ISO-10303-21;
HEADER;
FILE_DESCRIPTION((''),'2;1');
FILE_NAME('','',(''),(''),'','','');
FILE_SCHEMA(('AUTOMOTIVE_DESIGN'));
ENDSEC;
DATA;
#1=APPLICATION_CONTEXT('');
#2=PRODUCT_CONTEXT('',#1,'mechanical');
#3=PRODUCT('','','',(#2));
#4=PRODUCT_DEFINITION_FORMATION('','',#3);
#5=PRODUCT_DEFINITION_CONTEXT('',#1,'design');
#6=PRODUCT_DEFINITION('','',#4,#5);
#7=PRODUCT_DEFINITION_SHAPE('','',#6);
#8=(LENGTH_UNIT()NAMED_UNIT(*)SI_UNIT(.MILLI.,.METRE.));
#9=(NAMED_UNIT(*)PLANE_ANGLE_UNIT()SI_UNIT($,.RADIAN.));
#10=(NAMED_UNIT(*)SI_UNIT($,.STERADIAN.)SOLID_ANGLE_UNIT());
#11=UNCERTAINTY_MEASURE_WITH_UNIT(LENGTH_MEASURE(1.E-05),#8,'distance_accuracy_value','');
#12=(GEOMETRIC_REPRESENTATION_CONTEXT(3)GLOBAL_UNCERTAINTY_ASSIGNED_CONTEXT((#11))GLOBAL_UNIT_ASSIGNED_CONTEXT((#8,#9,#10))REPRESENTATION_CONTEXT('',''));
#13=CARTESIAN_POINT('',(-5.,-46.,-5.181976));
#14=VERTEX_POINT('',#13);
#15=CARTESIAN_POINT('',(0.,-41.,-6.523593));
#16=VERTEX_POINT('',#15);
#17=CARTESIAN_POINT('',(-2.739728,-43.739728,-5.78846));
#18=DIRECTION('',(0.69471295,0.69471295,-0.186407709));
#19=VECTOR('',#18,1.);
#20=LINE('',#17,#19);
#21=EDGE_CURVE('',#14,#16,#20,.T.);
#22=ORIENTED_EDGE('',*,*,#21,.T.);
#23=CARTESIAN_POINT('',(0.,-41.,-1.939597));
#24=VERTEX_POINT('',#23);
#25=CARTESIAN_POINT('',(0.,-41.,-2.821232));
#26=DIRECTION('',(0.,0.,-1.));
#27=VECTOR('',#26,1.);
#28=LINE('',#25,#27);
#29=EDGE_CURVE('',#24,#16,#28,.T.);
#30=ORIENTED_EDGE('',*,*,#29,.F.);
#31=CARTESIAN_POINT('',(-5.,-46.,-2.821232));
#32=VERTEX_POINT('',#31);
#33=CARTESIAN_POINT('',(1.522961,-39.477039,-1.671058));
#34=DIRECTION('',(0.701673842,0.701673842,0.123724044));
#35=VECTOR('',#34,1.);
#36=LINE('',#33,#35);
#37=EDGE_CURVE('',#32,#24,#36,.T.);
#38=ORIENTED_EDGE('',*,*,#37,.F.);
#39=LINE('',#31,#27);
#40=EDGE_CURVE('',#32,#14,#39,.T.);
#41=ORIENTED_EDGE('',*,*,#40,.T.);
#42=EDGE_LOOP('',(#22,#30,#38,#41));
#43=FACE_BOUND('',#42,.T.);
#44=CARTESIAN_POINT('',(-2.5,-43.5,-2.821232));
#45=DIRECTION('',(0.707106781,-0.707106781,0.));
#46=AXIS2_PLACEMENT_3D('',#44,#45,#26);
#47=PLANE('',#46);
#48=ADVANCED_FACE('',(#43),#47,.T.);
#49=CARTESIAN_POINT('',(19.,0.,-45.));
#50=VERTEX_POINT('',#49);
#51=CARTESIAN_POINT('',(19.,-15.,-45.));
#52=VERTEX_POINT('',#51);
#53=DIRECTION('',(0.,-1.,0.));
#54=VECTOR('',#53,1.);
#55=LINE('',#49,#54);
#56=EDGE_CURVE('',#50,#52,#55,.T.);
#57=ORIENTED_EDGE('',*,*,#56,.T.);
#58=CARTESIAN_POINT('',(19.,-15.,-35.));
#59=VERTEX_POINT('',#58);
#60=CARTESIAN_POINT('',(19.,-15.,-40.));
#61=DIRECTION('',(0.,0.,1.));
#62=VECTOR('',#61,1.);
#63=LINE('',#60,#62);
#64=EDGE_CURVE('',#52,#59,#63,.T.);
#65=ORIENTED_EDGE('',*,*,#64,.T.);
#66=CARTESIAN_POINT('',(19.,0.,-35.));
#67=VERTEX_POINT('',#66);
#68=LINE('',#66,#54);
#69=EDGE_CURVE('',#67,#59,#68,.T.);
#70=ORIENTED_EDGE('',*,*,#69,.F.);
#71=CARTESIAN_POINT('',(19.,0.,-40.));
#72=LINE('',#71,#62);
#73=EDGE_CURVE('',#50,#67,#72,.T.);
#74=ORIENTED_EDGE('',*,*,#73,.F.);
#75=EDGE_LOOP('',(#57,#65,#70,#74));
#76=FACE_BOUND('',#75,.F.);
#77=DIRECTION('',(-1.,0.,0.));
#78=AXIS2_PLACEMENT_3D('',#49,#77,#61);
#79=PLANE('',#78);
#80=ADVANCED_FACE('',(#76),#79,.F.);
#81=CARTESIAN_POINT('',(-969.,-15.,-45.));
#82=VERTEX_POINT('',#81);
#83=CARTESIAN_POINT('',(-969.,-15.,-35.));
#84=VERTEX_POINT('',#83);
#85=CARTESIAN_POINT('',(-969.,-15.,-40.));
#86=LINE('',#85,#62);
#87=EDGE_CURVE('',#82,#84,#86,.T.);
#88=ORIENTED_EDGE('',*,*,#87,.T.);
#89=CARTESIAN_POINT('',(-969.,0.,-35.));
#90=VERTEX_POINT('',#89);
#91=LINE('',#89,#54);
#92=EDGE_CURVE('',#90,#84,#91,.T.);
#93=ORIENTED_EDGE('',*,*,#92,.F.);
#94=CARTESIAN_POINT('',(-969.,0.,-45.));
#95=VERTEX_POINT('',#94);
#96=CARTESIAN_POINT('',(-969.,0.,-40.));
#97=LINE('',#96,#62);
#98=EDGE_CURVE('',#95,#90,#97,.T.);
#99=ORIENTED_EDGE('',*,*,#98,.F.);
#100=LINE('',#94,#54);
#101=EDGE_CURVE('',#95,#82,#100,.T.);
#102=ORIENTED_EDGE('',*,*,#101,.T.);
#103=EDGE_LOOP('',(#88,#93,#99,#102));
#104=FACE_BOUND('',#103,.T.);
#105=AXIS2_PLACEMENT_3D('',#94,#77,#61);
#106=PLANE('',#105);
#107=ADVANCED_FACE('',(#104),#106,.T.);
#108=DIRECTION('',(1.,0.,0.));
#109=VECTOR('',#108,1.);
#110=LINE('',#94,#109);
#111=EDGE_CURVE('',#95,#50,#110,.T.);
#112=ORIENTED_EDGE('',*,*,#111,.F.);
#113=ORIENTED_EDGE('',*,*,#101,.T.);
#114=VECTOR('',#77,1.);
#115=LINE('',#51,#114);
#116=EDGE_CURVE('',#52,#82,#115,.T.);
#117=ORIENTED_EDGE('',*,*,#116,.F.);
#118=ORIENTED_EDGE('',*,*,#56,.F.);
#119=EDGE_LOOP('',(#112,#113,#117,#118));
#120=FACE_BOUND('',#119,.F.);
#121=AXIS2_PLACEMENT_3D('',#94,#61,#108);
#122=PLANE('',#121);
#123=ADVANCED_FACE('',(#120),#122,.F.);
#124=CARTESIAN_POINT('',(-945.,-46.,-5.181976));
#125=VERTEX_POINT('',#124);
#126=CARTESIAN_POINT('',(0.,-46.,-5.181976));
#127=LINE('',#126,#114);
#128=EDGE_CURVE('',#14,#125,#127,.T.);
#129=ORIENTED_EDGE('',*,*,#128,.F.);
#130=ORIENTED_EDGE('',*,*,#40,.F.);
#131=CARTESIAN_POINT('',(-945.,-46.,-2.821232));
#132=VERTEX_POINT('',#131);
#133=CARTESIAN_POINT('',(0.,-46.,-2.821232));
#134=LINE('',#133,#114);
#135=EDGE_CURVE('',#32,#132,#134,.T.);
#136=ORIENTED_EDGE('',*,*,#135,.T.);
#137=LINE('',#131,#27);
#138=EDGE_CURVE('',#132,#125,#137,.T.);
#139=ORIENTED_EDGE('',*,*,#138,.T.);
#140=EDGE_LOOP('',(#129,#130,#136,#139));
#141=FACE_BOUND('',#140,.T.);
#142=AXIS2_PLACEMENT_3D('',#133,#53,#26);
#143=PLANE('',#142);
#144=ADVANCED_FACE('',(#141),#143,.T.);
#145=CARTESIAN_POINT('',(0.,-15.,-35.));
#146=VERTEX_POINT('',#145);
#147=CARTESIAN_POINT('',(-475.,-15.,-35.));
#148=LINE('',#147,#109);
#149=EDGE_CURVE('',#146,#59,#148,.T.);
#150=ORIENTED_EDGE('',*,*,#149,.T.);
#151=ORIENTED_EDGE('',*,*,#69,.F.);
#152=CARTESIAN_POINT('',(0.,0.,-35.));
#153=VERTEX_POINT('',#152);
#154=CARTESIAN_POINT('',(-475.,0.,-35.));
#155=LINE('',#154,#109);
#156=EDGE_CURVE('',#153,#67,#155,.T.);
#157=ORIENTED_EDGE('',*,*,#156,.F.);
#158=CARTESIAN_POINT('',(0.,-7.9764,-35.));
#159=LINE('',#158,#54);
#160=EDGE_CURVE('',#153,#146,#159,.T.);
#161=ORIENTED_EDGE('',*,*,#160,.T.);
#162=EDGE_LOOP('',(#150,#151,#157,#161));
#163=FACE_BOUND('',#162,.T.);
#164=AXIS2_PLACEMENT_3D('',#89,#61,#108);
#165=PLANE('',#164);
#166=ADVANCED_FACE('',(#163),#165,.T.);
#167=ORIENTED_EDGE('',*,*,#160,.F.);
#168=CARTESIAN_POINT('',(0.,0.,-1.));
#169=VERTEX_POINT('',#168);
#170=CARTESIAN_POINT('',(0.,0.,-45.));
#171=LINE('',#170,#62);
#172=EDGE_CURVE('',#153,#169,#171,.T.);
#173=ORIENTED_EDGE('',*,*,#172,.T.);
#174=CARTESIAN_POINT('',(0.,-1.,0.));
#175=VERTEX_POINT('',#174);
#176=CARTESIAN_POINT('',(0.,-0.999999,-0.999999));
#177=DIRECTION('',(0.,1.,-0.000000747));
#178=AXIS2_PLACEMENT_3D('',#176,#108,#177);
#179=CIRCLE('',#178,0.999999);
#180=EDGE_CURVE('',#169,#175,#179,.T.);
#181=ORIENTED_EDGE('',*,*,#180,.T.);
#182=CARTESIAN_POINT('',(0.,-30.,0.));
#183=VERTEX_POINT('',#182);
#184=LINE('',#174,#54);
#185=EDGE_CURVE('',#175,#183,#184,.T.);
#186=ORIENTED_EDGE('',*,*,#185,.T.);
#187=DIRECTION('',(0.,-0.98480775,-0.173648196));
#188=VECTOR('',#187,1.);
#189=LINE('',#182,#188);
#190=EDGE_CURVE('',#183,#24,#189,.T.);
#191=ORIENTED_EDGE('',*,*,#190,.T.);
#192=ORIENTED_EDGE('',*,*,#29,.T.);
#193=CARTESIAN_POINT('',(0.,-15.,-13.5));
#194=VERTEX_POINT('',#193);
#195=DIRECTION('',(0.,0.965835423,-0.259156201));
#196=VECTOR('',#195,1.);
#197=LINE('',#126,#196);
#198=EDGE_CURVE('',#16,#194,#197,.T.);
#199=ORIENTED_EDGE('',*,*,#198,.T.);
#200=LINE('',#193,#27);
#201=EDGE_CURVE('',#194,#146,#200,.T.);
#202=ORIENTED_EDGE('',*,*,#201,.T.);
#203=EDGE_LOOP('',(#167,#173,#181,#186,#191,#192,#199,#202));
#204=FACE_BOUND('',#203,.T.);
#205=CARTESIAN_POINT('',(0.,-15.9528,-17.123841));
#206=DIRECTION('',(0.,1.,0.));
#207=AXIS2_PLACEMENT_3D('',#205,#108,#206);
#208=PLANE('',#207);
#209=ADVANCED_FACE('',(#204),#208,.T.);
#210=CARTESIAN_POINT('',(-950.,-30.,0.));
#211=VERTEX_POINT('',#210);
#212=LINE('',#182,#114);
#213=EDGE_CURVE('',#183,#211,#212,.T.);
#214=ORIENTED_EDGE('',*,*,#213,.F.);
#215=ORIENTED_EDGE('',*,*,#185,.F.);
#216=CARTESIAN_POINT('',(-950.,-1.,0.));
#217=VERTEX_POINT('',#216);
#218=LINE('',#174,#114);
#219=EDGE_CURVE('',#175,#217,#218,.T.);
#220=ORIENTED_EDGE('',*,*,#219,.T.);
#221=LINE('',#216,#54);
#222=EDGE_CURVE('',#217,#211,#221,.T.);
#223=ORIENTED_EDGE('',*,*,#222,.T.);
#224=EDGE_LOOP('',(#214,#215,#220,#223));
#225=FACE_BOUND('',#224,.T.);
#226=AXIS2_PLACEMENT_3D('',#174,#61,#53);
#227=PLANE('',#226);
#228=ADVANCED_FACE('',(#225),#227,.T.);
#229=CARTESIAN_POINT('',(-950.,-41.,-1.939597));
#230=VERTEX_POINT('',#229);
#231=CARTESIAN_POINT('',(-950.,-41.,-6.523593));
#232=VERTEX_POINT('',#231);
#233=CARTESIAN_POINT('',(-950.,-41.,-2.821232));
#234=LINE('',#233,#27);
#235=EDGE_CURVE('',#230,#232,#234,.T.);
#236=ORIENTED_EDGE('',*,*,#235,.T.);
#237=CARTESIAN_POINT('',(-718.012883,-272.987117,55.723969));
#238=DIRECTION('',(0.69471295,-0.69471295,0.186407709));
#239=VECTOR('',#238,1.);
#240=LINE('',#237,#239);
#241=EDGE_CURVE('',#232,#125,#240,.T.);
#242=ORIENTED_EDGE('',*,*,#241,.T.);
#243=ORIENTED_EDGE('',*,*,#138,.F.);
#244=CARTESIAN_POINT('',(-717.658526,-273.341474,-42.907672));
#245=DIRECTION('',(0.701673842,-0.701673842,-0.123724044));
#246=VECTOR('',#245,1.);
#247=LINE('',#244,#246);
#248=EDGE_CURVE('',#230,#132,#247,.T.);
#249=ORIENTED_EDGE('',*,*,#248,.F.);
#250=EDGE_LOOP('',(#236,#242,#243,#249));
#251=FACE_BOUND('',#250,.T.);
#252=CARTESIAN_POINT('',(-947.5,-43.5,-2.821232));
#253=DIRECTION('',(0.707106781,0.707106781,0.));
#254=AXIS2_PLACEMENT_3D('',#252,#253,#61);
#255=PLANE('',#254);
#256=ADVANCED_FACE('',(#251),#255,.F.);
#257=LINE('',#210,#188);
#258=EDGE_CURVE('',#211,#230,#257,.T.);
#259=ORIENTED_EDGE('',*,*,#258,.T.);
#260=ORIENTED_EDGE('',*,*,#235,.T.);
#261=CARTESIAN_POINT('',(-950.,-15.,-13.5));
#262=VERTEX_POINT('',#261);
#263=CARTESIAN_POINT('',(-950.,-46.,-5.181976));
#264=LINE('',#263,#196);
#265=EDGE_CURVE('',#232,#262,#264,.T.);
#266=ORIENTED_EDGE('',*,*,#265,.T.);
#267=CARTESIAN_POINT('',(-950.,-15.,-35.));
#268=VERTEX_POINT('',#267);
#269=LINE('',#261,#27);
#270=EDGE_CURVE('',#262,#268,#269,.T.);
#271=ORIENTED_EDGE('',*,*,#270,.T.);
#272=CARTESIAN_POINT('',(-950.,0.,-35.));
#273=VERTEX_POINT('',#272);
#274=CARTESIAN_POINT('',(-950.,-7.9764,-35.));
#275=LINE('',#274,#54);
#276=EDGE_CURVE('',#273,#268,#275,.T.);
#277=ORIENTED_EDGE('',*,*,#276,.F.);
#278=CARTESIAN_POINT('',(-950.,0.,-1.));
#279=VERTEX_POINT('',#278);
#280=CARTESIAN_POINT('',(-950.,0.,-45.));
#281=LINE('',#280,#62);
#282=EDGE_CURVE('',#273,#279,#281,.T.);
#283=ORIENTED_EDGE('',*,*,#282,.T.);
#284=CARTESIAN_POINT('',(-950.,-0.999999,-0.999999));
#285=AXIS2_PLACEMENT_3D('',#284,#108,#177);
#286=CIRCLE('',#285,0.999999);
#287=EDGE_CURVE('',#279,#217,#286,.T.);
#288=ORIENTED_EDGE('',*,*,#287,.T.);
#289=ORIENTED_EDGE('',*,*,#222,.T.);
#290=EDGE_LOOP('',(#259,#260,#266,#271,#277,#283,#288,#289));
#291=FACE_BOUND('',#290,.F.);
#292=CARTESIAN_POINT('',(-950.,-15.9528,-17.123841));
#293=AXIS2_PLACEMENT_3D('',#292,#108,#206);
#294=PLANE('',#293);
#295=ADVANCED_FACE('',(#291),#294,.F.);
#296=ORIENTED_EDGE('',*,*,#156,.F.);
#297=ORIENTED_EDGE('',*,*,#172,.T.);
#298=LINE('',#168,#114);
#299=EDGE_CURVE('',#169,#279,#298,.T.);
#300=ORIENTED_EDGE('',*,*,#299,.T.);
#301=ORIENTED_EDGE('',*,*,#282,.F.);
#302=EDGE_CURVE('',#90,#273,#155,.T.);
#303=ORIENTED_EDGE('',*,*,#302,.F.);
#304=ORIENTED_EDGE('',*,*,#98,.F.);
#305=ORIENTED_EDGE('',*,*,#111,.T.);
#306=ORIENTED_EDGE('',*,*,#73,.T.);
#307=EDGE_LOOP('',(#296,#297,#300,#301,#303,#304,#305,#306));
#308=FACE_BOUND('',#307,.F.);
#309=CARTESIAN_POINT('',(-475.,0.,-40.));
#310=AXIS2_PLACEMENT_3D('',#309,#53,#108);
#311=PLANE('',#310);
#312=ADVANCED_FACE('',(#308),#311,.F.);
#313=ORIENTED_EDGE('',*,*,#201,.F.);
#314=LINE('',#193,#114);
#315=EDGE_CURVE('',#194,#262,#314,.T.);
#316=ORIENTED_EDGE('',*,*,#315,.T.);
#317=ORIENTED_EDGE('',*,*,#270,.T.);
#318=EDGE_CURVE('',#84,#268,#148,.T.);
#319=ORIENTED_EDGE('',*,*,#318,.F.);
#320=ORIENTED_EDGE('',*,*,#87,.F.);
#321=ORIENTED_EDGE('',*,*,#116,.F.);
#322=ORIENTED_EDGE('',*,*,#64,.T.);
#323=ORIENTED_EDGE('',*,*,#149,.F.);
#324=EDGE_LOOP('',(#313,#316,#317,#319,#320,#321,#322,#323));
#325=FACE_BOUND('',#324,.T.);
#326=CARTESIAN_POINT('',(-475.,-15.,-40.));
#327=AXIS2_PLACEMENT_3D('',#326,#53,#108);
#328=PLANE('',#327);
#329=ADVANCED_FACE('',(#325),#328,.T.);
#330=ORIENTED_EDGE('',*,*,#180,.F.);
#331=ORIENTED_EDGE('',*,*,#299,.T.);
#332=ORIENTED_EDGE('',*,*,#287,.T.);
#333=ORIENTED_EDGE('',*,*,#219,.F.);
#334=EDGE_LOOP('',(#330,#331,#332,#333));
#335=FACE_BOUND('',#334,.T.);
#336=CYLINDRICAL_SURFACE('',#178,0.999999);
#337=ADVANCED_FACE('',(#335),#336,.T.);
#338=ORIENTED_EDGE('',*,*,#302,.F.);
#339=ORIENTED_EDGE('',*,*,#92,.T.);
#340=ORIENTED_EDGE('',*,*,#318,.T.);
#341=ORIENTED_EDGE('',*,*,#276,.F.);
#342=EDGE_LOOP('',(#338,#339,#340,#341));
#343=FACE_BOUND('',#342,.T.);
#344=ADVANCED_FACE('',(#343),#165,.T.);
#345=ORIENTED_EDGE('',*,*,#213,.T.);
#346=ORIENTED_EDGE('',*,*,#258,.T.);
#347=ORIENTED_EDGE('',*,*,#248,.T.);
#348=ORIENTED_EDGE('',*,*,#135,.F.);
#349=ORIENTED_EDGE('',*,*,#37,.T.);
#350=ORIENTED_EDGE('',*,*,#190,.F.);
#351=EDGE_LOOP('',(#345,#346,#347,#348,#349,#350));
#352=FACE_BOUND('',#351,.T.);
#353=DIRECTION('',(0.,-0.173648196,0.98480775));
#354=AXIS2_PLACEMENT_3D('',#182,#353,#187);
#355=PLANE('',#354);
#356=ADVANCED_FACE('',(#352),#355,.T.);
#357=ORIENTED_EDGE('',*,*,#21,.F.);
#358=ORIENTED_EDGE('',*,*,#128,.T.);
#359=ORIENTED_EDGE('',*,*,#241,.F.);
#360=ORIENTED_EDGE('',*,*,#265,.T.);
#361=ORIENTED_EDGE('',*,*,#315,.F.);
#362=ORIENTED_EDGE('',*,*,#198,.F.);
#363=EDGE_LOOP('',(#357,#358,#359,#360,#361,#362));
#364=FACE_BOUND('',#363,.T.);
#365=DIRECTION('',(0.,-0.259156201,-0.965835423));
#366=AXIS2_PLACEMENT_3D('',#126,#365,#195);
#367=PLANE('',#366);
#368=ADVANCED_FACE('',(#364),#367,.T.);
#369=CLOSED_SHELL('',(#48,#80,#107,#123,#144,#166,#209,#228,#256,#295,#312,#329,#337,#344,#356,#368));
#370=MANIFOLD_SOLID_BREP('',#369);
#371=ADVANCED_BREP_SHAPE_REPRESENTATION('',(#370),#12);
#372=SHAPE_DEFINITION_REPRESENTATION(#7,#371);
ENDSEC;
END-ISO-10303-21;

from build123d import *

# Parameters (mm, degrees)
F1_DEPTH = 950
F2_W     = 988
F2_H     = 10
F3_DEPTH = 15
F4_SIZE  = 5


with BuildPart() as f1:
    # F0 (on Right) → F1 (new body)
    with BuildSketch(Plane.YZ):
        with BuildLine():
            ThreePointArc((0, -1), (-0.292893, -0.292893), (-1, 0))
            Line((-1, 0), (-30, 0))
            Line((-30, 0), (-46, -2.821232))
            Line((-46, -2.821232), (-46, -5.181976))
            Line((-46, -5.181976), (-15, -13.5))
            Line((-15, -13.5), (-15, -45))
            Line((-15, -45), (0, -45))
            Line((0, -45), (0, -1))
        make_face()
    extrude(amount=-F1_DEPTH)

    # F2 (on Front) → F3 (join)
    with BuildSketch(Plane.XZ):
        with Locations((-475, -40)):
            Rectangle(F2_W, F2_H)
    extrude(amount=F3_DEPTH)

    # F4
    f4_edges = [f1.edges().sort_by_distance(p)[0] for p in [
        (0, -46, -4.001604),
        (-950, -46, -4.001604),
    ]]
    chamfer(f4_edges, length=F4_SIZE)


solid = f1.part
